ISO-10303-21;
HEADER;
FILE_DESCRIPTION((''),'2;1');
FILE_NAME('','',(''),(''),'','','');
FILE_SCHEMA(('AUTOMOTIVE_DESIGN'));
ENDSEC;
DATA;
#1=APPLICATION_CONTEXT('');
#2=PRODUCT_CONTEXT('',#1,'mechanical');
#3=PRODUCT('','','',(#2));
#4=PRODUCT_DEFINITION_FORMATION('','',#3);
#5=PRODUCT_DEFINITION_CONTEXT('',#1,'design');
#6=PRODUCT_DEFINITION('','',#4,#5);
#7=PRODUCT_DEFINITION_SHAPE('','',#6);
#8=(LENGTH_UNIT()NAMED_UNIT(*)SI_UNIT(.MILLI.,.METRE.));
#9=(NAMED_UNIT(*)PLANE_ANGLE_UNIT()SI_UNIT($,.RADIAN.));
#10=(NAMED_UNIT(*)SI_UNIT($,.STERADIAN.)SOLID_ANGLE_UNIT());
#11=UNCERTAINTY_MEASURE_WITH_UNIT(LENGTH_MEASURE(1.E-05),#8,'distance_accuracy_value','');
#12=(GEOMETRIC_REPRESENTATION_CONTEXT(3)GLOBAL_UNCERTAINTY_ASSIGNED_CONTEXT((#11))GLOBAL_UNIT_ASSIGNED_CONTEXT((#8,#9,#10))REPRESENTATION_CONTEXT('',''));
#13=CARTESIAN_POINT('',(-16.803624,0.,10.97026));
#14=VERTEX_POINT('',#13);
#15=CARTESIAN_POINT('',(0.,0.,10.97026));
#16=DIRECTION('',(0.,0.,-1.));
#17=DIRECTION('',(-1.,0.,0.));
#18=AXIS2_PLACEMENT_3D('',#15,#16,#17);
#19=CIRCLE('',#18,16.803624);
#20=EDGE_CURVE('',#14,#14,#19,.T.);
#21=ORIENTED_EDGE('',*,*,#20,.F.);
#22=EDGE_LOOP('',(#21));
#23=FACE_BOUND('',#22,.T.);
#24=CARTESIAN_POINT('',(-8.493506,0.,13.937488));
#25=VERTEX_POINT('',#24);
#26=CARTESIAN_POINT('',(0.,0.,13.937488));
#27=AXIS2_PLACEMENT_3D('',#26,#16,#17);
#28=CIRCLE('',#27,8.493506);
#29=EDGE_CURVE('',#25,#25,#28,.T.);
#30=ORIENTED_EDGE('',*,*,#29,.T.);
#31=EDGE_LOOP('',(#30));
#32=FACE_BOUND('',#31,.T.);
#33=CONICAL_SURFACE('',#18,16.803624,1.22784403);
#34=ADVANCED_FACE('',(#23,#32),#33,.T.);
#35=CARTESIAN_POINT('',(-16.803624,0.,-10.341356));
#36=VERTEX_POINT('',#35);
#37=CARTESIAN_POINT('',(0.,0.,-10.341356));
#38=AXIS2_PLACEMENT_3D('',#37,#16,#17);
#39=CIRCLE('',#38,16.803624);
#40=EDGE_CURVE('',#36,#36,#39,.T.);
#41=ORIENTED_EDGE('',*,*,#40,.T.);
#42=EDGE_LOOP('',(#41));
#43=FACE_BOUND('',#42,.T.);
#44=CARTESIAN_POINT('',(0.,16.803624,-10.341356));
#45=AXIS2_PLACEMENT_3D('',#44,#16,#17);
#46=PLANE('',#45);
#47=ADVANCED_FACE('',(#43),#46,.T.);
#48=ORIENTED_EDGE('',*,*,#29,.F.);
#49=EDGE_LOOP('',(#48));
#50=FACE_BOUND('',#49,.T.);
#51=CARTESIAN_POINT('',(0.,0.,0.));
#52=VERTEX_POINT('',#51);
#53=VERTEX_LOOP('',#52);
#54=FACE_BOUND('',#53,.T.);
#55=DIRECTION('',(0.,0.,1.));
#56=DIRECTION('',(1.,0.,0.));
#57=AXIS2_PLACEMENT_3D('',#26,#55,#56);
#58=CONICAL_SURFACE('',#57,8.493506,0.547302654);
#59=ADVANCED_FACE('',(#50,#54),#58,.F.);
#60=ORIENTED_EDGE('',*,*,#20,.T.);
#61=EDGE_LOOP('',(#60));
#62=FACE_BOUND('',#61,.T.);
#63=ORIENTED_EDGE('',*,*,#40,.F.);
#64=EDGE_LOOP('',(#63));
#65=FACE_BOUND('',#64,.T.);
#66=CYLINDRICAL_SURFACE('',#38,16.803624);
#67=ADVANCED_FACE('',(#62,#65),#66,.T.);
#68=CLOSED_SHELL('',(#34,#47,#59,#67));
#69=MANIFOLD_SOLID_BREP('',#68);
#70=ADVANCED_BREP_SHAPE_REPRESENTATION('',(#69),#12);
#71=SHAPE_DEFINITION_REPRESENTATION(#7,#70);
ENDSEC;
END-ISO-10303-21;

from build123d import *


with BuildPart() as part:
    # Sketch1 → Revolve1 (revolve)
    with BuildSketch(Plane(origin=(0, 0, 0), x_dir=(0, 0, -1), z_dir=(1, 0, 0)), mode=Mode.PRIVATE) as revolve1_sk:
        Polygon((0, 0), (-13.937488, 8.493506), (-10.97026, 16.803624), (10.341356, 16.803624), (10.341356, 0), align=None)
    revolve(revolve1_sk.sketch.rotate(Axis((0, 0, -10.341356), (0, 0, 1)), 90), axis=Axis((0, 0, -10.341356), (0, 0, 1)))


solid = part.part
